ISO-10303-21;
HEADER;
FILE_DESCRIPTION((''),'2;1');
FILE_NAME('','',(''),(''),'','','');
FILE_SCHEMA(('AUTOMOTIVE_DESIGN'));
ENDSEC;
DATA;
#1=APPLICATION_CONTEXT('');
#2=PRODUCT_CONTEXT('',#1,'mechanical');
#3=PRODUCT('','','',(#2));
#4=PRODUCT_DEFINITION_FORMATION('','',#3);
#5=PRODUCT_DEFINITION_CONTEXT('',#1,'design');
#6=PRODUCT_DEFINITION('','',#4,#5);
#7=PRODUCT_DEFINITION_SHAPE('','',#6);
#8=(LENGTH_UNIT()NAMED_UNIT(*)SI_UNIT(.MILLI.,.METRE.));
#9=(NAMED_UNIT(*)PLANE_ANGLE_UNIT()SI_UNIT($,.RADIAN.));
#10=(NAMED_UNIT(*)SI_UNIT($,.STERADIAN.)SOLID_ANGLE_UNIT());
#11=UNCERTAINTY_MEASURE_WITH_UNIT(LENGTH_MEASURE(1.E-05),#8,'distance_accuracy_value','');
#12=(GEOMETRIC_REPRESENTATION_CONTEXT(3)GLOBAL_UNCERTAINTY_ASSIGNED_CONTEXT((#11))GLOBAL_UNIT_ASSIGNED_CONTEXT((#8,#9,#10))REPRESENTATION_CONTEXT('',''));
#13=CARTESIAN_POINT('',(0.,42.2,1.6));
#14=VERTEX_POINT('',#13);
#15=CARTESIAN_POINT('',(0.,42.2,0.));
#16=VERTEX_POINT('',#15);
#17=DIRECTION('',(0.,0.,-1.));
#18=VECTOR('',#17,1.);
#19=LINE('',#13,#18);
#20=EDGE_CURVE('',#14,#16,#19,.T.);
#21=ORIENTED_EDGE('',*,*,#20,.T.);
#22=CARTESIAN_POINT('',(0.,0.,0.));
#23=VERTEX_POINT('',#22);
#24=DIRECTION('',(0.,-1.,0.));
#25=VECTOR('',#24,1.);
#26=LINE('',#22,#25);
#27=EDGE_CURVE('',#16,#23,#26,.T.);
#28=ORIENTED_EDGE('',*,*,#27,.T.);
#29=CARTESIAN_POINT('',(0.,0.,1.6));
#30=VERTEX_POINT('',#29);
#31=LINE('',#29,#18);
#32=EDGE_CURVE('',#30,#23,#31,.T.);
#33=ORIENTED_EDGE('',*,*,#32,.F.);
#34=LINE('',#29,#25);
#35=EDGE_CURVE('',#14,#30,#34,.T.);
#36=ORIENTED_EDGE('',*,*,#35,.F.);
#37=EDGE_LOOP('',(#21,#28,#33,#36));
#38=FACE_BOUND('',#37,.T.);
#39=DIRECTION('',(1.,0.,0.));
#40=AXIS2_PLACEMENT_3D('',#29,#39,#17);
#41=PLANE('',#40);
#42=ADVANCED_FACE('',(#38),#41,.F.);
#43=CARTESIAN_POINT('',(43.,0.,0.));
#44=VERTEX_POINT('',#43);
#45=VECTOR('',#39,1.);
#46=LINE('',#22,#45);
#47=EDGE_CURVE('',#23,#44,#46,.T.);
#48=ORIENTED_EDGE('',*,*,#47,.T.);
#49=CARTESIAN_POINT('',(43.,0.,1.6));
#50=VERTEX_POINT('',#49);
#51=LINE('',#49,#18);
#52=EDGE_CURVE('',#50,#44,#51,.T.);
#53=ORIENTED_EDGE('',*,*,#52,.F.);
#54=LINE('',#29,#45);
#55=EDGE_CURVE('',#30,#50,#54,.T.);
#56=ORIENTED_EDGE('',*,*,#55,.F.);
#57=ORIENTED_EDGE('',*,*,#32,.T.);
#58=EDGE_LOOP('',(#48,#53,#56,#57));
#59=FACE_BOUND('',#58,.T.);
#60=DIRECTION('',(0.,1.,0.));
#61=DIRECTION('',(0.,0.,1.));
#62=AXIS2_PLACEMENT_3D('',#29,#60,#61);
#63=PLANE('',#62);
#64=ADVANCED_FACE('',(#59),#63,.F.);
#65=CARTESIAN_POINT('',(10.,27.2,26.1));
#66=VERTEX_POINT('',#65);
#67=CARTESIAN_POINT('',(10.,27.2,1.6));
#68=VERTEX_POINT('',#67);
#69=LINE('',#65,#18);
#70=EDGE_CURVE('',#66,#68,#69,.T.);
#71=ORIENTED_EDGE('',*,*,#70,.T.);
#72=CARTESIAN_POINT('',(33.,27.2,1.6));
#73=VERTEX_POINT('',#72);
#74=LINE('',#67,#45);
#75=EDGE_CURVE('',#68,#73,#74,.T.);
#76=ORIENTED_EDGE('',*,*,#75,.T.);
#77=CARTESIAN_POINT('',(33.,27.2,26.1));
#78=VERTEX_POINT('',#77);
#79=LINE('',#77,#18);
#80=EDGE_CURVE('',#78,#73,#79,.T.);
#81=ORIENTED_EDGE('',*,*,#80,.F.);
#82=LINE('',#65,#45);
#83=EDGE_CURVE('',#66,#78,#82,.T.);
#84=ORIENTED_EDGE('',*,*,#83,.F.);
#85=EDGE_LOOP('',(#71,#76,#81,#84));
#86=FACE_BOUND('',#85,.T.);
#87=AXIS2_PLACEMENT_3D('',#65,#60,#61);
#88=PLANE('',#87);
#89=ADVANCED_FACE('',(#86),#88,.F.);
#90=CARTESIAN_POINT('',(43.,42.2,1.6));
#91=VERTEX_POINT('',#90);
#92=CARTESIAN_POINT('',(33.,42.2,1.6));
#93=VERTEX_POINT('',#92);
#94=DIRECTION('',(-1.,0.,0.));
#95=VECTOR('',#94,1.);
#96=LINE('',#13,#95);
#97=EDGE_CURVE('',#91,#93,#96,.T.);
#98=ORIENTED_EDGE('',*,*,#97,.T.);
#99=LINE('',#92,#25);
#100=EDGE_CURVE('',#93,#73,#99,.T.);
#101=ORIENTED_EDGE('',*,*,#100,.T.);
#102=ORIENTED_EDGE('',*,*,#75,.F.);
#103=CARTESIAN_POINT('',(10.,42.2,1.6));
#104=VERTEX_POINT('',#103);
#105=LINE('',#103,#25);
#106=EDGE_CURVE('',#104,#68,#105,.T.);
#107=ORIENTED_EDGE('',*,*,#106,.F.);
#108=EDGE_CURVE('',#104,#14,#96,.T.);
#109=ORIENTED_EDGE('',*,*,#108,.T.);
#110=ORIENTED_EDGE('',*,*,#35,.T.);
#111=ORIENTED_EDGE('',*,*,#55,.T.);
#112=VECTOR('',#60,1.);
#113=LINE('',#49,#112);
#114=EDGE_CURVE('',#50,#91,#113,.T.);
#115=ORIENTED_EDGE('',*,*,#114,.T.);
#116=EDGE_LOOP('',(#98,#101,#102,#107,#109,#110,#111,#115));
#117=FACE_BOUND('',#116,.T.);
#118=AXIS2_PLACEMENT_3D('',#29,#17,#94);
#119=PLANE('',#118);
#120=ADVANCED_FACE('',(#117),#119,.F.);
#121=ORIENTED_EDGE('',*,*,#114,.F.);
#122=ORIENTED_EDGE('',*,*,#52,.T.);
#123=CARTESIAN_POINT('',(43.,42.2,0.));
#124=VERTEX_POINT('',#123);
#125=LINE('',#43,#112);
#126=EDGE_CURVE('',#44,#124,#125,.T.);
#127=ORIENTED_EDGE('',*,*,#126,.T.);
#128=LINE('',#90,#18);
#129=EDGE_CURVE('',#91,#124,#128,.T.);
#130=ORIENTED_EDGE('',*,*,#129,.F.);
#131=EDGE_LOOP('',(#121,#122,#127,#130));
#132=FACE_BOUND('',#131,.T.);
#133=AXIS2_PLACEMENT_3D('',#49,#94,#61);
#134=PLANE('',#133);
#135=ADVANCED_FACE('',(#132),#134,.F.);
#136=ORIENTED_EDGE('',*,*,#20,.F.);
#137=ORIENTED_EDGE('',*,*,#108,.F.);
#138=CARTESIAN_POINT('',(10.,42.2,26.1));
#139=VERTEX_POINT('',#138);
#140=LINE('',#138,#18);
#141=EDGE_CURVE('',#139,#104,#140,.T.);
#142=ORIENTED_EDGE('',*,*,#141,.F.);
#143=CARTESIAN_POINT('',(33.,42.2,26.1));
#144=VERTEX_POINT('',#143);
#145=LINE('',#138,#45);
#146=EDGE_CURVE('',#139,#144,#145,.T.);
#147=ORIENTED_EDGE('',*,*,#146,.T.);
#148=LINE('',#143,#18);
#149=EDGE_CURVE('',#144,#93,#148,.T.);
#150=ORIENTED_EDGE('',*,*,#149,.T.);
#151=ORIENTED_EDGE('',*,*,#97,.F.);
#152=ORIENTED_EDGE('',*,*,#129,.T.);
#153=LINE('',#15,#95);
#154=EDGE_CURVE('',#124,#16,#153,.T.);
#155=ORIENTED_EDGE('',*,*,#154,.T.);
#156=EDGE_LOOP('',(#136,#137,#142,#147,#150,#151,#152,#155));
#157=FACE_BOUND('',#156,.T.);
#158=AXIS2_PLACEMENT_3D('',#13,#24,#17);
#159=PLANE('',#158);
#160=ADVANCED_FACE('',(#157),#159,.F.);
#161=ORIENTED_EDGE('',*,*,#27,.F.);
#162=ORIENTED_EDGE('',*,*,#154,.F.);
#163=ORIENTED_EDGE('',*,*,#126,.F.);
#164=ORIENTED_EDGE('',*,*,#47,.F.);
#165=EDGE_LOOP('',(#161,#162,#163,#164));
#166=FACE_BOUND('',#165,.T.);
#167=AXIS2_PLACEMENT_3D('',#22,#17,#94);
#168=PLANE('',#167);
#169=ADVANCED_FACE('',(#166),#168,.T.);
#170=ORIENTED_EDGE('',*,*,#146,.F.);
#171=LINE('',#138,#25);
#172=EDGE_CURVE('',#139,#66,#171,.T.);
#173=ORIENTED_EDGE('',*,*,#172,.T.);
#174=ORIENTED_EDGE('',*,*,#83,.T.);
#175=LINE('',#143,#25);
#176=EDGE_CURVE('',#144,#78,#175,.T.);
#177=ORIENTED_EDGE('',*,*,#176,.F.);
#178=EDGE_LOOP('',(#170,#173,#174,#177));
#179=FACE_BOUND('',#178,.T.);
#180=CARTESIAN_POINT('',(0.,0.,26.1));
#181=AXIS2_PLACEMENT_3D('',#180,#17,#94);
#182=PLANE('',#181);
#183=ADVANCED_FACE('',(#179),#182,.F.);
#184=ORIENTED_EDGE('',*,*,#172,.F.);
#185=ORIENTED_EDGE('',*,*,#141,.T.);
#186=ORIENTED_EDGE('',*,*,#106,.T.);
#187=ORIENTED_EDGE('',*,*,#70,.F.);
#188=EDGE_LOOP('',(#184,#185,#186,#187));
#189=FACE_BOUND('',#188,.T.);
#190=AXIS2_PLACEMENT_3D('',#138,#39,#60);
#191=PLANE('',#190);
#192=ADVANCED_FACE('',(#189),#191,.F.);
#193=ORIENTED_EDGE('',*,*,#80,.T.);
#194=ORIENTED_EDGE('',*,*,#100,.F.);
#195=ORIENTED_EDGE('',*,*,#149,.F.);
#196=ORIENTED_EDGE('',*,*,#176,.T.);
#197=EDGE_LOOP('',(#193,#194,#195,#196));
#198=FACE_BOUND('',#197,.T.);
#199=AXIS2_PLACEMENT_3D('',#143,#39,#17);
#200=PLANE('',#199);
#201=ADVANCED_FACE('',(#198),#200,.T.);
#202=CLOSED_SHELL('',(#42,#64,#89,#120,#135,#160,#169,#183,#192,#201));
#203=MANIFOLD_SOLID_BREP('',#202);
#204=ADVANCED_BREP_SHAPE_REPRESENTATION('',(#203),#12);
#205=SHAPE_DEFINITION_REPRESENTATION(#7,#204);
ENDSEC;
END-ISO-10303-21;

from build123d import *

# Parameters (mm, degrees)
SKETCH_1_W      = 43
SKETCH_1_H      = 42.2
EXTRUDE_1_DEPTH = 1.6
SKETCH_2_W      = 23
SKETCH_2_H      = 15
EXTRUDE_3_DEPTH = 24.5


with BuildPart() as part:
    # 草图1 → 凸台-拉伸1 (new body)
    with BuildSketch(Plane.XY):
        with Locations((21.5, 21.1)):
            Rectangle(SKETCH_1_W, SKETCH_1_H)
    extrude(amount=EXTRUDE_1_DEPTH)

    # 草图2 → 凸台-拉伸3 (add)
    with BuildSketch(Plane.XY.offset(1.6)):
        with Locations((21.5, 34.7)):
            Rectangle(SKETCH_2_W, SKETCH_2_H)
    extrude(amount=EXTRUDE_3_DEPTH)


solid = part.part
